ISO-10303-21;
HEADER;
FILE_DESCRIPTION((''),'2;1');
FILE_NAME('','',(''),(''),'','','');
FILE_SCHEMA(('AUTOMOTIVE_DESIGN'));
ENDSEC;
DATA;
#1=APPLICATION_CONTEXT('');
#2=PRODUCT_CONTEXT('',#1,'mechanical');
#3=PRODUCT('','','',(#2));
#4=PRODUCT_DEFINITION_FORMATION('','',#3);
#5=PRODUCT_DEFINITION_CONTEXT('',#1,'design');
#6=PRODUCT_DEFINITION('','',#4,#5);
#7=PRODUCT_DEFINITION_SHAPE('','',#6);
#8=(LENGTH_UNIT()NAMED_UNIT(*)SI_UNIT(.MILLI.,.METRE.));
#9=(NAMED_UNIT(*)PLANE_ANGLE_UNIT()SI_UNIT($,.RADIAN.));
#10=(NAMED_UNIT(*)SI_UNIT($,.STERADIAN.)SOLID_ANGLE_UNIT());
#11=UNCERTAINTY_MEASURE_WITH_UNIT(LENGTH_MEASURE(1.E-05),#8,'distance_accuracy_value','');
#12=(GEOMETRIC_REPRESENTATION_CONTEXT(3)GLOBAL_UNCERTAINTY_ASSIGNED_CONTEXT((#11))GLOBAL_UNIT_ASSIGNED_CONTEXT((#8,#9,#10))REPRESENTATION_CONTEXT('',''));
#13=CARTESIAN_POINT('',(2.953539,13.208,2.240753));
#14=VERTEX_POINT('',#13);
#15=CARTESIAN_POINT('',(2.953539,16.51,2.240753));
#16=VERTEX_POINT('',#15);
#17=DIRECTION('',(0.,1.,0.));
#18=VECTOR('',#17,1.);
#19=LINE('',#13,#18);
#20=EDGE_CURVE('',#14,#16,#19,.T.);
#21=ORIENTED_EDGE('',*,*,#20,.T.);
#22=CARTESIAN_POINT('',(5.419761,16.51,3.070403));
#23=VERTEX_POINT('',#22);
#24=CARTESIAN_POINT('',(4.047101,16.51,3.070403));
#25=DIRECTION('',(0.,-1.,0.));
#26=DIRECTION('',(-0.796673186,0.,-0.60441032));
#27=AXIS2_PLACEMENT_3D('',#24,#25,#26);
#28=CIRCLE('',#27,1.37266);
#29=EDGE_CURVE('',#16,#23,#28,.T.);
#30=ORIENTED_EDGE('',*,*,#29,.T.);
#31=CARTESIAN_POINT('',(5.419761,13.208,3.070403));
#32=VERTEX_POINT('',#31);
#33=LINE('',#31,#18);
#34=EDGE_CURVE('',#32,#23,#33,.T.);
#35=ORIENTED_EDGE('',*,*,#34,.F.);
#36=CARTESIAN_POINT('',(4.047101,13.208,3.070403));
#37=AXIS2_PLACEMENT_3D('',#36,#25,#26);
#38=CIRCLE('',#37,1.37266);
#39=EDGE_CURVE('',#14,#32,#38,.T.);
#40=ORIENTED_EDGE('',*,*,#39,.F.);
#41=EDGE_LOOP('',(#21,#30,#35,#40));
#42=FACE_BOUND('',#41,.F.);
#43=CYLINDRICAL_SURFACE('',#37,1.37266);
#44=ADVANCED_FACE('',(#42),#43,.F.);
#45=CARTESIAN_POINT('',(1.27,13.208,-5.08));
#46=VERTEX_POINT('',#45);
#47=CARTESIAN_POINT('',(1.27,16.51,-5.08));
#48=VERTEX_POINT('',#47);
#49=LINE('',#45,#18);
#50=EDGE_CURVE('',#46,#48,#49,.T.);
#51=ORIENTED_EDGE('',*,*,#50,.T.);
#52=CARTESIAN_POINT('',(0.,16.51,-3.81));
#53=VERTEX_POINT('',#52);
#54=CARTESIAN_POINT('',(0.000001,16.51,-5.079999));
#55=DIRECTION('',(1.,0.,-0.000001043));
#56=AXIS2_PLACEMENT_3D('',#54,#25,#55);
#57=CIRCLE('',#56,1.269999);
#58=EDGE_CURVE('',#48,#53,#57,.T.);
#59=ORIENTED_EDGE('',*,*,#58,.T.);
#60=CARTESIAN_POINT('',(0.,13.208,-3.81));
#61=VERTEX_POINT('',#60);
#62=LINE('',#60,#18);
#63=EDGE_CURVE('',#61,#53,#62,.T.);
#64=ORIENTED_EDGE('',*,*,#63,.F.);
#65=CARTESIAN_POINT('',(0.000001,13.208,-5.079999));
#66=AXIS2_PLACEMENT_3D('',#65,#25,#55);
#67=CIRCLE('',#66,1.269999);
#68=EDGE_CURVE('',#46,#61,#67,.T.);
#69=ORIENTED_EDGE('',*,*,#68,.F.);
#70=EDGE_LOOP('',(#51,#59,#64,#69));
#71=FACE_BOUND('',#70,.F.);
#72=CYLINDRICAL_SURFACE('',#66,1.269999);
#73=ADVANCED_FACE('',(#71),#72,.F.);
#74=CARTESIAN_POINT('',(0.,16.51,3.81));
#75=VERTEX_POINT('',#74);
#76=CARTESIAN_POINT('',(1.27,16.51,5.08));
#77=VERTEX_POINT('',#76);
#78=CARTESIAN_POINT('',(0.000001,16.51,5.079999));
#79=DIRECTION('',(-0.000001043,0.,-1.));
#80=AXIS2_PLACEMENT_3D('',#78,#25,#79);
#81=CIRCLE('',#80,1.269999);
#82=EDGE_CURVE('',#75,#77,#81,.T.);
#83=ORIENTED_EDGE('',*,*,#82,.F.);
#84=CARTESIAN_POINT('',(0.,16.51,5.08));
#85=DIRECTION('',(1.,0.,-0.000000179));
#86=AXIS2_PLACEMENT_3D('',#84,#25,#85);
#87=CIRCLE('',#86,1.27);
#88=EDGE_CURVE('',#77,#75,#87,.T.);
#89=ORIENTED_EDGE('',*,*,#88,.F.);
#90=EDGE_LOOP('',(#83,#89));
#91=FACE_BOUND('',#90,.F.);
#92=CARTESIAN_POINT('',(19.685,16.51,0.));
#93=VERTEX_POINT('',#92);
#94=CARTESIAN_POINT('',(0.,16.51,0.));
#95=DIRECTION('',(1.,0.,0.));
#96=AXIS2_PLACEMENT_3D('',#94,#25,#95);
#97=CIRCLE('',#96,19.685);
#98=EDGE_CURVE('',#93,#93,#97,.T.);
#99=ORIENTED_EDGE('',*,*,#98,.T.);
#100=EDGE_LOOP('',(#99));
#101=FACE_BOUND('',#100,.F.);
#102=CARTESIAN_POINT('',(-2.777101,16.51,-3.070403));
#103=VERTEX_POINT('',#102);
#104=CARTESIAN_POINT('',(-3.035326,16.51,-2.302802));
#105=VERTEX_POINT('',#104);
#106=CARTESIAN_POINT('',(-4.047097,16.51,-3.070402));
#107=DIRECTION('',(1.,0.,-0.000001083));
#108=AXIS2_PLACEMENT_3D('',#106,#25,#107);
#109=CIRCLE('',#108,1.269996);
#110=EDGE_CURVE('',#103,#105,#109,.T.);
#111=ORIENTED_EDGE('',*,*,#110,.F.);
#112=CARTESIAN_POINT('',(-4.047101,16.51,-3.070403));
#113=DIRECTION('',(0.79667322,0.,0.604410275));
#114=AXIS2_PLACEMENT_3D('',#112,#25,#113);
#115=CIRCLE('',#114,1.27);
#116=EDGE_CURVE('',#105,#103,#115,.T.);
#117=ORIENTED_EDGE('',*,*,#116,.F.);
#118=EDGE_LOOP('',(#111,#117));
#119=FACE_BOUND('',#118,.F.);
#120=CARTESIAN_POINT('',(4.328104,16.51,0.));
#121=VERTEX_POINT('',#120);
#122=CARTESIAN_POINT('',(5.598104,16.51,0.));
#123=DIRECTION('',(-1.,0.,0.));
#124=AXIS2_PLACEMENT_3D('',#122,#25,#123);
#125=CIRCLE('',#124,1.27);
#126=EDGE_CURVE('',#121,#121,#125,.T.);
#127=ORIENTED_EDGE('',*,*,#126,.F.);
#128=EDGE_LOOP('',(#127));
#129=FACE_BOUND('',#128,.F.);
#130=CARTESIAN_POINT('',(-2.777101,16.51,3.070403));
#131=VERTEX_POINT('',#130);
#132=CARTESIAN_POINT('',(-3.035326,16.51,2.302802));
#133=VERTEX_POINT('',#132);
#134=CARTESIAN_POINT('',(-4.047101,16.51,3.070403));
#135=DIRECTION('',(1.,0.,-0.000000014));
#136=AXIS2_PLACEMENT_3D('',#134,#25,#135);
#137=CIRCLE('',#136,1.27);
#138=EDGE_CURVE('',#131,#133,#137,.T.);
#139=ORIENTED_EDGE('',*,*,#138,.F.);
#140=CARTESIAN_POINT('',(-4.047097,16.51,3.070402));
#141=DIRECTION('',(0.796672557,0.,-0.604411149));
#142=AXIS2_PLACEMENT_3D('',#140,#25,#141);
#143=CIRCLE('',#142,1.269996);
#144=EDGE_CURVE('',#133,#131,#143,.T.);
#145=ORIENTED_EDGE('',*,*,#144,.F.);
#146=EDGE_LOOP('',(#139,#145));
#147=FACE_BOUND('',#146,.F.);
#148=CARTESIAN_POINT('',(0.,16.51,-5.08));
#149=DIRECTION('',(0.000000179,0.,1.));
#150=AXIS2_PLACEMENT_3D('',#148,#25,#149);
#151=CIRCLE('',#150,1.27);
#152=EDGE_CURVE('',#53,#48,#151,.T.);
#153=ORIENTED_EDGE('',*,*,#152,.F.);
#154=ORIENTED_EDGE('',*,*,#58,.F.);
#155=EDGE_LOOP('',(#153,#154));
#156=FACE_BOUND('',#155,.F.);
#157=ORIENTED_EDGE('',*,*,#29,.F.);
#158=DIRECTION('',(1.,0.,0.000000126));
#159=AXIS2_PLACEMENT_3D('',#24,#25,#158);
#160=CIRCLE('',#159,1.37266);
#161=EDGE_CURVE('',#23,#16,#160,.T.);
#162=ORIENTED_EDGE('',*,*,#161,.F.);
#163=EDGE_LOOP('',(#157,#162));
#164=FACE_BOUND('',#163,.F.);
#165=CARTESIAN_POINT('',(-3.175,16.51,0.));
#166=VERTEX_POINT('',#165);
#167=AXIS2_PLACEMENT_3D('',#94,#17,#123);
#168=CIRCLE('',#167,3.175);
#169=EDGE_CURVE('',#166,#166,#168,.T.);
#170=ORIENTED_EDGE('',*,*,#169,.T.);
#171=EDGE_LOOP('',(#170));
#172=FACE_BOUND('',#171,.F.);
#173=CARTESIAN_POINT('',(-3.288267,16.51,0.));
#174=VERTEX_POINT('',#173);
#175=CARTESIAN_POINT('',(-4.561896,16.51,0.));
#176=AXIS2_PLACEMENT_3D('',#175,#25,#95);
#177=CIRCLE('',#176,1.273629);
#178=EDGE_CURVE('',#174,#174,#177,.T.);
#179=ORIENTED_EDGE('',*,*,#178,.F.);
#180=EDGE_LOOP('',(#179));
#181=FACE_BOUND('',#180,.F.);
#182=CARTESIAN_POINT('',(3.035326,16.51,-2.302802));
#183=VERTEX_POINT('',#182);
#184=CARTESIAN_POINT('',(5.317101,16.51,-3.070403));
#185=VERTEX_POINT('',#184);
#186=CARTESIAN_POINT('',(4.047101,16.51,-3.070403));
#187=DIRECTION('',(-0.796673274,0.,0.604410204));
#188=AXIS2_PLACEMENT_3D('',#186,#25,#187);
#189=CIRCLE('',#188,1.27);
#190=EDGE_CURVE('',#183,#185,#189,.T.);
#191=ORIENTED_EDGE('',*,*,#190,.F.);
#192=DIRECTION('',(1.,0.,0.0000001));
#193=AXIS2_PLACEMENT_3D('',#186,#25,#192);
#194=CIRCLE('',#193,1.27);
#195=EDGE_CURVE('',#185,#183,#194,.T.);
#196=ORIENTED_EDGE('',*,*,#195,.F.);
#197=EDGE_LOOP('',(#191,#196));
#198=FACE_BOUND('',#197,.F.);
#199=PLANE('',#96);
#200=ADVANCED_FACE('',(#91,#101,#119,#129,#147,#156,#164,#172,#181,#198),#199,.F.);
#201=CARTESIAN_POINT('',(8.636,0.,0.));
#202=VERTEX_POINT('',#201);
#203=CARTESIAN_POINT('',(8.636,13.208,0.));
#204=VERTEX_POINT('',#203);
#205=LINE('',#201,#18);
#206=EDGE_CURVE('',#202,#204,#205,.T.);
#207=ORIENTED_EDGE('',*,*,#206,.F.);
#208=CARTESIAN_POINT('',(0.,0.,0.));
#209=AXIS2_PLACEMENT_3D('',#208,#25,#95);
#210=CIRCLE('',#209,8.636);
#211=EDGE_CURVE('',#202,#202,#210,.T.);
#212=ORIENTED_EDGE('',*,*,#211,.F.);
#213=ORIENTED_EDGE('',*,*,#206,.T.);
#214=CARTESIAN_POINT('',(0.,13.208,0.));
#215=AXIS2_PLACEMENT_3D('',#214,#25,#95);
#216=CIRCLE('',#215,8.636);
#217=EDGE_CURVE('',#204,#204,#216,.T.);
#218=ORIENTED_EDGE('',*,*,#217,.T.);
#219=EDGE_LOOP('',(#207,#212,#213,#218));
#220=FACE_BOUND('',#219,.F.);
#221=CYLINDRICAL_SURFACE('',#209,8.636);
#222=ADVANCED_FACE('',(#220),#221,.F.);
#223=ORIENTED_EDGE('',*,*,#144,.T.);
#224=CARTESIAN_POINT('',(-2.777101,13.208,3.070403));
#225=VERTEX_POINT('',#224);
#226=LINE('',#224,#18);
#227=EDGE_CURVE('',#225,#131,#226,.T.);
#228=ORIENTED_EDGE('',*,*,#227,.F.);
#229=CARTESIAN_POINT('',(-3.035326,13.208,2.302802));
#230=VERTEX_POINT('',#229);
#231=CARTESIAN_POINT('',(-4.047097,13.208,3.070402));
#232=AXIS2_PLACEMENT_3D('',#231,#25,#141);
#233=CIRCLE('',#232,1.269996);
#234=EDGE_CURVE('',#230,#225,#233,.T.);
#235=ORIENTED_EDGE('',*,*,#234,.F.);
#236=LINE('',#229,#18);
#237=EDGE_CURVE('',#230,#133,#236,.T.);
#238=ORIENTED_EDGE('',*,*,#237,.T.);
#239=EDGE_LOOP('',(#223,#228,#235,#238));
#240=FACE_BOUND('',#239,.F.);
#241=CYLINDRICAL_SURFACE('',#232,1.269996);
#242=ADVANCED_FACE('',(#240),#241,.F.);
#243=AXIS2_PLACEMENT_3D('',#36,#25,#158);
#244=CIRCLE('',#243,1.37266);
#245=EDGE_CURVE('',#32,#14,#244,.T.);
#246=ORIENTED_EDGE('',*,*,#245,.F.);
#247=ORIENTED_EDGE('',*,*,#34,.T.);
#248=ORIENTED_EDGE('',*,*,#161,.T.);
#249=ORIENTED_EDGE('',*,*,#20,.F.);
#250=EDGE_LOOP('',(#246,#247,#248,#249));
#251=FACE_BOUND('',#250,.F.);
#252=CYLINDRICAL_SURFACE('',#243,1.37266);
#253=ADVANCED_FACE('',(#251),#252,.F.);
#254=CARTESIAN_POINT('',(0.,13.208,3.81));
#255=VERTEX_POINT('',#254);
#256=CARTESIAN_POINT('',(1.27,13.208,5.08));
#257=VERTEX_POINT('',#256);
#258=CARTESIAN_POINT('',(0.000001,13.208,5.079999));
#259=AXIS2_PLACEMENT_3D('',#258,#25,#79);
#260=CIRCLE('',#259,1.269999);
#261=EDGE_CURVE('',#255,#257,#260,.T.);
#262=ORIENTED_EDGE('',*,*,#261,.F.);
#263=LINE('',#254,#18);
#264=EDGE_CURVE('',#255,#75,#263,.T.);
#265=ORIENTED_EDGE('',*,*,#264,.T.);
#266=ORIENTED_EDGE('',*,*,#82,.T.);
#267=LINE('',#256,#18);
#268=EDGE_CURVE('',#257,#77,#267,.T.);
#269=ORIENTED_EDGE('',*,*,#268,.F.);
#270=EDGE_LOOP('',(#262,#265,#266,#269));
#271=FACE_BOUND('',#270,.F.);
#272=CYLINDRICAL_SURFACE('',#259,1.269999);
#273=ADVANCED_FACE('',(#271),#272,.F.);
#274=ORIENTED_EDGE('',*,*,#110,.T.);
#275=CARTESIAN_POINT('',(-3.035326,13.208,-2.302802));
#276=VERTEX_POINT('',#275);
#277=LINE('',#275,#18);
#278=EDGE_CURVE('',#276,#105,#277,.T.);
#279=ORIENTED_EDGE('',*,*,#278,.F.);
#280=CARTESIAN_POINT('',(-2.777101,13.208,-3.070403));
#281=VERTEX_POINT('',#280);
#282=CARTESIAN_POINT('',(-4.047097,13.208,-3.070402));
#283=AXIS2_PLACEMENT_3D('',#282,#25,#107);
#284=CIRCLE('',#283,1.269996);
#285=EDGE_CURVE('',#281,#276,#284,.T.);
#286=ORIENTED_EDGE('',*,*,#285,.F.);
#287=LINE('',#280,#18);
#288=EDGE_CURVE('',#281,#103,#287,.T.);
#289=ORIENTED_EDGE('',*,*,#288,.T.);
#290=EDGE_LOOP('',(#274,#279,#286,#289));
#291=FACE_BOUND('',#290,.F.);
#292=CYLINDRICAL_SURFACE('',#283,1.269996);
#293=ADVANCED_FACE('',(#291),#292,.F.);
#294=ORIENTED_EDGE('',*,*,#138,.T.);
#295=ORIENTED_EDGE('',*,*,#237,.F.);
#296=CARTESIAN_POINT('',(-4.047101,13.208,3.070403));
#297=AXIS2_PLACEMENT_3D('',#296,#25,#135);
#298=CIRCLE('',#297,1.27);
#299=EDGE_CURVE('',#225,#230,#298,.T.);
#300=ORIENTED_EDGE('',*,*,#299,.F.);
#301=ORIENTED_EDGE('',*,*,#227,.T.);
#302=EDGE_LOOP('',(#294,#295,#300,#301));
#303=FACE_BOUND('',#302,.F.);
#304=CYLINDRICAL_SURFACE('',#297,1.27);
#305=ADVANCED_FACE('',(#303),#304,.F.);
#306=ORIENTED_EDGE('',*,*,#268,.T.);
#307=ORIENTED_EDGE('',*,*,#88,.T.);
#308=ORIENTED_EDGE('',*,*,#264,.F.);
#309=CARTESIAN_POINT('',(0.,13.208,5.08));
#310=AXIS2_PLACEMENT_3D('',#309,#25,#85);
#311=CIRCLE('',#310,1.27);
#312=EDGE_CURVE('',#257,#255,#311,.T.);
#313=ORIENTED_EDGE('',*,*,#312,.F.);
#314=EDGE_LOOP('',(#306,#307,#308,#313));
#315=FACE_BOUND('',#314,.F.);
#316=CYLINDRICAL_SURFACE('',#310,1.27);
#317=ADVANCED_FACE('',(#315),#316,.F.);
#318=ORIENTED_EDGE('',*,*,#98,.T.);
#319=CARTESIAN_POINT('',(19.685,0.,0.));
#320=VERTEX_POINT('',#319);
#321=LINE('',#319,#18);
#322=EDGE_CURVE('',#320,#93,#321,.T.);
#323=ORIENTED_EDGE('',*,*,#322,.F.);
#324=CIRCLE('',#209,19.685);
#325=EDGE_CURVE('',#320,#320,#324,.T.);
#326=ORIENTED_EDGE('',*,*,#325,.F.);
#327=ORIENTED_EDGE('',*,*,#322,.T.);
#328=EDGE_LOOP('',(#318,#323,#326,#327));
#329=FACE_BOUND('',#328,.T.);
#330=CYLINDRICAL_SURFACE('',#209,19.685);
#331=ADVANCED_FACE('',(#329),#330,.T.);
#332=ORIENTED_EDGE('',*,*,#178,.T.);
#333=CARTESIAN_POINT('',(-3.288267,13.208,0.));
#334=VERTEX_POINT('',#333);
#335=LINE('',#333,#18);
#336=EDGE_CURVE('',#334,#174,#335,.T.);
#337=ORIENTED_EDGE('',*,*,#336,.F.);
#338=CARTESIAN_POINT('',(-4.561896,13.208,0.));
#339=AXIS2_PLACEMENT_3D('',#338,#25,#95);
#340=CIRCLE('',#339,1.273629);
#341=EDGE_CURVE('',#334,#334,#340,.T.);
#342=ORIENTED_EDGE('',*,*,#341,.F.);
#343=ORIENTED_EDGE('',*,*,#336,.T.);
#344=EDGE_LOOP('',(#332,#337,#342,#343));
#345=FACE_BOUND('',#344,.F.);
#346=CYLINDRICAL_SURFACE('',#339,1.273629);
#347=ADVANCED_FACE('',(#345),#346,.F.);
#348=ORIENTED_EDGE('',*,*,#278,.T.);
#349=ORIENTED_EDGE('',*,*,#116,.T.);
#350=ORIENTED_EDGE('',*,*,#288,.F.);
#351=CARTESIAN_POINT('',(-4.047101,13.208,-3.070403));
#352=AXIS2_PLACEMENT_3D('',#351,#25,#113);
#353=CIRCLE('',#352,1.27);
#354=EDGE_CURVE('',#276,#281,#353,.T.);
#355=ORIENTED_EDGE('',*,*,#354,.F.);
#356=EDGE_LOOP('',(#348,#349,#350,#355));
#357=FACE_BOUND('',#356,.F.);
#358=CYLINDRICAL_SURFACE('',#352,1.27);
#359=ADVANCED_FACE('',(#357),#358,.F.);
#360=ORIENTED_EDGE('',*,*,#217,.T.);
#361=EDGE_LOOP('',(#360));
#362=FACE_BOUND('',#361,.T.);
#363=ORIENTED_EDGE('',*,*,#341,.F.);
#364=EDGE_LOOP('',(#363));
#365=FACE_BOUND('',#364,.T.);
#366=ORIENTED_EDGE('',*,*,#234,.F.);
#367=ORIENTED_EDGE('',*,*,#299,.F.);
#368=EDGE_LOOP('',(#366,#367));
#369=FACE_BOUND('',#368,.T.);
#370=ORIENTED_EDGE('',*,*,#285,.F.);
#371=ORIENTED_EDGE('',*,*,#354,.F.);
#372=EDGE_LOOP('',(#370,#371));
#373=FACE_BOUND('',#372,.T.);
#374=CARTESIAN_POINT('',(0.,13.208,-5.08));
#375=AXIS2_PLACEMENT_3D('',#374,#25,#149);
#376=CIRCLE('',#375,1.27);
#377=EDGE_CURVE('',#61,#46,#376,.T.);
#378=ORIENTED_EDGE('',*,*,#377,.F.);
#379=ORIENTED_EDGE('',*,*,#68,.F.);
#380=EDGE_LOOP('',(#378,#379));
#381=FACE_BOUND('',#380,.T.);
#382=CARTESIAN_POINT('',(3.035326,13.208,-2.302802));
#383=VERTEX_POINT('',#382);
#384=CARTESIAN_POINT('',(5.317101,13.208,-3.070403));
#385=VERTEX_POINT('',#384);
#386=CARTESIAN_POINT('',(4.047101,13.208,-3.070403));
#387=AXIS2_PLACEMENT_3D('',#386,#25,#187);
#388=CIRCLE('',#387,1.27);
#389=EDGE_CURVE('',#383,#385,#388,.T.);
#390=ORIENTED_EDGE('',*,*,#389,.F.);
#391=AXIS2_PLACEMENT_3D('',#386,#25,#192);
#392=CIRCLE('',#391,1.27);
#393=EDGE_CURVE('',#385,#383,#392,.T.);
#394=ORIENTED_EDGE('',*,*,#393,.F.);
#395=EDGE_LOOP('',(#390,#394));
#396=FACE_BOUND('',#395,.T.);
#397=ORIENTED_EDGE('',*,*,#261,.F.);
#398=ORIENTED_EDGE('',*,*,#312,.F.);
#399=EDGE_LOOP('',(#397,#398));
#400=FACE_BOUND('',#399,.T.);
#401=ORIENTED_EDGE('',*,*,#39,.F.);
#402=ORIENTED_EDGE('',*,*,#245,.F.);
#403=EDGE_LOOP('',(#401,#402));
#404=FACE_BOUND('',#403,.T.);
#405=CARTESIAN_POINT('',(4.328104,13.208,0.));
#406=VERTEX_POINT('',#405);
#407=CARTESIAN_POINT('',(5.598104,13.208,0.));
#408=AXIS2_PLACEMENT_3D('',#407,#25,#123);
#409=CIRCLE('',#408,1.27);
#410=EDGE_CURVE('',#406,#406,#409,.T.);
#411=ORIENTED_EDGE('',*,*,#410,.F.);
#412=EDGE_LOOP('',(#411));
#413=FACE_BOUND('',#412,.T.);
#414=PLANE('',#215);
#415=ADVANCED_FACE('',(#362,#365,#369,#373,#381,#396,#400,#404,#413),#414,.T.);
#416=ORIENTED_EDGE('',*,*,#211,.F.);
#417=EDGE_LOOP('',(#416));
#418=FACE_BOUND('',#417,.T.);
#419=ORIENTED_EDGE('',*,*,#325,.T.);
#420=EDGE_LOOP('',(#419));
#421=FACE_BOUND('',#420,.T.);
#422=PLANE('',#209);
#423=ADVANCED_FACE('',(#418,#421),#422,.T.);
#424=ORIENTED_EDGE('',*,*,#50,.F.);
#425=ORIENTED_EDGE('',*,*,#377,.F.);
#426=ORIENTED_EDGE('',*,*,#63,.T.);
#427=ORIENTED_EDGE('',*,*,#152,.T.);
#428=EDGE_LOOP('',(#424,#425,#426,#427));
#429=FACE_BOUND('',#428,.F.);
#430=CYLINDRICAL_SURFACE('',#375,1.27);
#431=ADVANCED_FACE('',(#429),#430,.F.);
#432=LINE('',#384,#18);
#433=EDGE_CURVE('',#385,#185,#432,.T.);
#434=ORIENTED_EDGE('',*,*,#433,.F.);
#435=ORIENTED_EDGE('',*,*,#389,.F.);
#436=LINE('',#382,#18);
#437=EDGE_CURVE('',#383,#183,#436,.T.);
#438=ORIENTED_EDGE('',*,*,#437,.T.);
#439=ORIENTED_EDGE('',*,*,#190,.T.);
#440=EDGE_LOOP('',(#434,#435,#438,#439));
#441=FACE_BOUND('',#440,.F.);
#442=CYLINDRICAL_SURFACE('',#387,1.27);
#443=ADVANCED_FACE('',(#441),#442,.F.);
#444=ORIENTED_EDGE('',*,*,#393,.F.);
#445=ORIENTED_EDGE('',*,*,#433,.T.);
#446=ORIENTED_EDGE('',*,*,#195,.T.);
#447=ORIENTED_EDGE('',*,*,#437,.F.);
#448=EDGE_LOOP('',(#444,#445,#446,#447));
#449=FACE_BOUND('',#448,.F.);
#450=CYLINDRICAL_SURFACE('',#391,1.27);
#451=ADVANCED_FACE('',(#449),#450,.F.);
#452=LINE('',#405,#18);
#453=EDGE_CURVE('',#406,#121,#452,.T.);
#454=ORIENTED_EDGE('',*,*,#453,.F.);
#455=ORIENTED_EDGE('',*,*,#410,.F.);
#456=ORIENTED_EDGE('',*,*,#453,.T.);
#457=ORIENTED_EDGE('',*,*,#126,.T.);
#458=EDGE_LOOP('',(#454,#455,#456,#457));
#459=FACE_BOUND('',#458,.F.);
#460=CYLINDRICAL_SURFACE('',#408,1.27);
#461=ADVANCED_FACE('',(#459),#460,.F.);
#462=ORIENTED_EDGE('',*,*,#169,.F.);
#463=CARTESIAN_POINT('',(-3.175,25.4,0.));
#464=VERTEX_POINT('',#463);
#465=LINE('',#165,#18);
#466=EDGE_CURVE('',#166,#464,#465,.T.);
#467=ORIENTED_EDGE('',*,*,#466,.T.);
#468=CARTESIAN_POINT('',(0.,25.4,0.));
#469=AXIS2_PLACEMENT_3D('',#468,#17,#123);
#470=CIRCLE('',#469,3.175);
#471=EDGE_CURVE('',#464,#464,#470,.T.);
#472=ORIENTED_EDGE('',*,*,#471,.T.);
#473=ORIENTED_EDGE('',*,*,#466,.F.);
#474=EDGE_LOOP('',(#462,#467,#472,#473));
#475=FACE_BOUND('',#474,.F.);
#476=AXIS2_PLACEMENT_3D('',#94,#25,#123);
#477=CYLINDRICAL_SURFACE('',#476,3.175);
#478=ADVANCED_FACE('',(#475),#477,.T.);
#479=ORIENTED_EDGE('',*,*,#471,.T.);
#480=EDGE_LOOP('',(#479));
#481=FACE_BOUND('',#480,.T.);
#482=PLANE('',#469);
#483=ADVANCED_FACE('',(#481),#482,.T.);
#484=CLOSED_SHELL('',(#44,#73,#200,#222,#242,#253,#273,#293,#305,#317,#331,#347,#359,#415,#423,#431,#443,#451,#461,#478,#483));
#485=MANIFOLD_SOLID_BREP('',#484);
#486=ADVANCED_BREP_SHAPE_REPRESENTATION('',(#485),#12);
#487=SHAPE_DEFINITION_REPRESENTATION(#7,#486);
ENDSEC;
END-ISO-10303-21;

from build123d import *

# Parameters (mm, degrees)
F0_R     = 19.685
F1_DEPTH = 16.51
F2_R     = 8.636
F3_DEPTH = 13.208
F4_R     = 3.175
F5_DEPTH = 8.89
F6_R     = 1.273629
F7_DEPTH = 25.4


with BuildPart() as f1:
    # F0 (on Front) → F1 (new body)
    with BuildSketch(Plane.XZ):
        Circle(F0_R)
    extrude(amount=-F1_DEPTH)

    # F2 (on Front) → F3 (cut)
    with BuildSketch(Plane.XZ):
        Circle(F2_R)
    extrude(amount=-F3_DEPTH, mode=Mode.SUBTRACT)

    # F4 (on face) → F5 (join)
    with BuildSketch(Plane(origin=(0, 16.51, 0), x_dir=(-1, 0, 0), z_dir=(0, 1, 0))):
        Circle(F4_R)
    extrude(amount=F5_DEPTH)

    # F6 (on face) → F7 (cut)
    with BuildSketch(Plane.XZ.offset(-13.208)):
        with BuildLine():
            ThreePointArc((5.419761, 3.070403), (3.609433, 4.371419), (2.953539, 2.240753))
            ThreePointArc((2.953539, 2.240753), (4.484769, 1.769387), (5.419761, 3.070403))
        make_face()
        with BuildLine():
            ThreePointArc((6.868104, 0), (5.598104, 1.27), (4.328104, 0))
            ThreePointArc((4.328104, 0), (5.598104, -1.27), (6.868104, 0))
        make_face()
        with BuildLine():
            ThreePointArc((5.317101, -3.070403), (4.452036, -1.866689), (3.035326, -2.302802))
            ThreePointArc((3.035326, -2.302802), (3.642166, -4.274117), (5.317101, -3.070403))
        make_face()
        with BuildLine():
            ThreePointArc((-2.777101, -3.070403), (-2.843387, -2.665467), (-3.035326, -2.302802))
            ThreePointArc((-3.035326, -2.302802), (-5.250815, -3.475338), (-2.777101, -3.070403))
        make_face()
        with BuildLine():
            ThreePointArc((1.27, -5.08), (0.898026, -4.181974), (0, -3.81))
            ThreePointArc((0, -3.81), (-0.898026, -5.978026), (1.27, -5.08))
        make_face()
        with Locations((-4.561896, 0)):
            Circle(F6_R)
        with BuildLine():
            ThreePointArc((-2.777101, 3.070403), (-5.250815, 3.475338), (-3.035326, 2.302802))
            ThreePointArc((-3.035326, 2.302802), (-2.843387, 2.665467), (-2.777101, 3.070403))
        make_face()
        with BuildLine():
            ThreePointArc((1.27, 5.08), (-0.898026, 5.978026), (0, 3.81))
            ThreePointArc((0, 3.81), (0.898026, 4.181974), (1.27, 5.08))
        make_face()
    extrude(amount=-F7_DEPTH, mode=Mode.SUBTRACT)


solid = f1.part
